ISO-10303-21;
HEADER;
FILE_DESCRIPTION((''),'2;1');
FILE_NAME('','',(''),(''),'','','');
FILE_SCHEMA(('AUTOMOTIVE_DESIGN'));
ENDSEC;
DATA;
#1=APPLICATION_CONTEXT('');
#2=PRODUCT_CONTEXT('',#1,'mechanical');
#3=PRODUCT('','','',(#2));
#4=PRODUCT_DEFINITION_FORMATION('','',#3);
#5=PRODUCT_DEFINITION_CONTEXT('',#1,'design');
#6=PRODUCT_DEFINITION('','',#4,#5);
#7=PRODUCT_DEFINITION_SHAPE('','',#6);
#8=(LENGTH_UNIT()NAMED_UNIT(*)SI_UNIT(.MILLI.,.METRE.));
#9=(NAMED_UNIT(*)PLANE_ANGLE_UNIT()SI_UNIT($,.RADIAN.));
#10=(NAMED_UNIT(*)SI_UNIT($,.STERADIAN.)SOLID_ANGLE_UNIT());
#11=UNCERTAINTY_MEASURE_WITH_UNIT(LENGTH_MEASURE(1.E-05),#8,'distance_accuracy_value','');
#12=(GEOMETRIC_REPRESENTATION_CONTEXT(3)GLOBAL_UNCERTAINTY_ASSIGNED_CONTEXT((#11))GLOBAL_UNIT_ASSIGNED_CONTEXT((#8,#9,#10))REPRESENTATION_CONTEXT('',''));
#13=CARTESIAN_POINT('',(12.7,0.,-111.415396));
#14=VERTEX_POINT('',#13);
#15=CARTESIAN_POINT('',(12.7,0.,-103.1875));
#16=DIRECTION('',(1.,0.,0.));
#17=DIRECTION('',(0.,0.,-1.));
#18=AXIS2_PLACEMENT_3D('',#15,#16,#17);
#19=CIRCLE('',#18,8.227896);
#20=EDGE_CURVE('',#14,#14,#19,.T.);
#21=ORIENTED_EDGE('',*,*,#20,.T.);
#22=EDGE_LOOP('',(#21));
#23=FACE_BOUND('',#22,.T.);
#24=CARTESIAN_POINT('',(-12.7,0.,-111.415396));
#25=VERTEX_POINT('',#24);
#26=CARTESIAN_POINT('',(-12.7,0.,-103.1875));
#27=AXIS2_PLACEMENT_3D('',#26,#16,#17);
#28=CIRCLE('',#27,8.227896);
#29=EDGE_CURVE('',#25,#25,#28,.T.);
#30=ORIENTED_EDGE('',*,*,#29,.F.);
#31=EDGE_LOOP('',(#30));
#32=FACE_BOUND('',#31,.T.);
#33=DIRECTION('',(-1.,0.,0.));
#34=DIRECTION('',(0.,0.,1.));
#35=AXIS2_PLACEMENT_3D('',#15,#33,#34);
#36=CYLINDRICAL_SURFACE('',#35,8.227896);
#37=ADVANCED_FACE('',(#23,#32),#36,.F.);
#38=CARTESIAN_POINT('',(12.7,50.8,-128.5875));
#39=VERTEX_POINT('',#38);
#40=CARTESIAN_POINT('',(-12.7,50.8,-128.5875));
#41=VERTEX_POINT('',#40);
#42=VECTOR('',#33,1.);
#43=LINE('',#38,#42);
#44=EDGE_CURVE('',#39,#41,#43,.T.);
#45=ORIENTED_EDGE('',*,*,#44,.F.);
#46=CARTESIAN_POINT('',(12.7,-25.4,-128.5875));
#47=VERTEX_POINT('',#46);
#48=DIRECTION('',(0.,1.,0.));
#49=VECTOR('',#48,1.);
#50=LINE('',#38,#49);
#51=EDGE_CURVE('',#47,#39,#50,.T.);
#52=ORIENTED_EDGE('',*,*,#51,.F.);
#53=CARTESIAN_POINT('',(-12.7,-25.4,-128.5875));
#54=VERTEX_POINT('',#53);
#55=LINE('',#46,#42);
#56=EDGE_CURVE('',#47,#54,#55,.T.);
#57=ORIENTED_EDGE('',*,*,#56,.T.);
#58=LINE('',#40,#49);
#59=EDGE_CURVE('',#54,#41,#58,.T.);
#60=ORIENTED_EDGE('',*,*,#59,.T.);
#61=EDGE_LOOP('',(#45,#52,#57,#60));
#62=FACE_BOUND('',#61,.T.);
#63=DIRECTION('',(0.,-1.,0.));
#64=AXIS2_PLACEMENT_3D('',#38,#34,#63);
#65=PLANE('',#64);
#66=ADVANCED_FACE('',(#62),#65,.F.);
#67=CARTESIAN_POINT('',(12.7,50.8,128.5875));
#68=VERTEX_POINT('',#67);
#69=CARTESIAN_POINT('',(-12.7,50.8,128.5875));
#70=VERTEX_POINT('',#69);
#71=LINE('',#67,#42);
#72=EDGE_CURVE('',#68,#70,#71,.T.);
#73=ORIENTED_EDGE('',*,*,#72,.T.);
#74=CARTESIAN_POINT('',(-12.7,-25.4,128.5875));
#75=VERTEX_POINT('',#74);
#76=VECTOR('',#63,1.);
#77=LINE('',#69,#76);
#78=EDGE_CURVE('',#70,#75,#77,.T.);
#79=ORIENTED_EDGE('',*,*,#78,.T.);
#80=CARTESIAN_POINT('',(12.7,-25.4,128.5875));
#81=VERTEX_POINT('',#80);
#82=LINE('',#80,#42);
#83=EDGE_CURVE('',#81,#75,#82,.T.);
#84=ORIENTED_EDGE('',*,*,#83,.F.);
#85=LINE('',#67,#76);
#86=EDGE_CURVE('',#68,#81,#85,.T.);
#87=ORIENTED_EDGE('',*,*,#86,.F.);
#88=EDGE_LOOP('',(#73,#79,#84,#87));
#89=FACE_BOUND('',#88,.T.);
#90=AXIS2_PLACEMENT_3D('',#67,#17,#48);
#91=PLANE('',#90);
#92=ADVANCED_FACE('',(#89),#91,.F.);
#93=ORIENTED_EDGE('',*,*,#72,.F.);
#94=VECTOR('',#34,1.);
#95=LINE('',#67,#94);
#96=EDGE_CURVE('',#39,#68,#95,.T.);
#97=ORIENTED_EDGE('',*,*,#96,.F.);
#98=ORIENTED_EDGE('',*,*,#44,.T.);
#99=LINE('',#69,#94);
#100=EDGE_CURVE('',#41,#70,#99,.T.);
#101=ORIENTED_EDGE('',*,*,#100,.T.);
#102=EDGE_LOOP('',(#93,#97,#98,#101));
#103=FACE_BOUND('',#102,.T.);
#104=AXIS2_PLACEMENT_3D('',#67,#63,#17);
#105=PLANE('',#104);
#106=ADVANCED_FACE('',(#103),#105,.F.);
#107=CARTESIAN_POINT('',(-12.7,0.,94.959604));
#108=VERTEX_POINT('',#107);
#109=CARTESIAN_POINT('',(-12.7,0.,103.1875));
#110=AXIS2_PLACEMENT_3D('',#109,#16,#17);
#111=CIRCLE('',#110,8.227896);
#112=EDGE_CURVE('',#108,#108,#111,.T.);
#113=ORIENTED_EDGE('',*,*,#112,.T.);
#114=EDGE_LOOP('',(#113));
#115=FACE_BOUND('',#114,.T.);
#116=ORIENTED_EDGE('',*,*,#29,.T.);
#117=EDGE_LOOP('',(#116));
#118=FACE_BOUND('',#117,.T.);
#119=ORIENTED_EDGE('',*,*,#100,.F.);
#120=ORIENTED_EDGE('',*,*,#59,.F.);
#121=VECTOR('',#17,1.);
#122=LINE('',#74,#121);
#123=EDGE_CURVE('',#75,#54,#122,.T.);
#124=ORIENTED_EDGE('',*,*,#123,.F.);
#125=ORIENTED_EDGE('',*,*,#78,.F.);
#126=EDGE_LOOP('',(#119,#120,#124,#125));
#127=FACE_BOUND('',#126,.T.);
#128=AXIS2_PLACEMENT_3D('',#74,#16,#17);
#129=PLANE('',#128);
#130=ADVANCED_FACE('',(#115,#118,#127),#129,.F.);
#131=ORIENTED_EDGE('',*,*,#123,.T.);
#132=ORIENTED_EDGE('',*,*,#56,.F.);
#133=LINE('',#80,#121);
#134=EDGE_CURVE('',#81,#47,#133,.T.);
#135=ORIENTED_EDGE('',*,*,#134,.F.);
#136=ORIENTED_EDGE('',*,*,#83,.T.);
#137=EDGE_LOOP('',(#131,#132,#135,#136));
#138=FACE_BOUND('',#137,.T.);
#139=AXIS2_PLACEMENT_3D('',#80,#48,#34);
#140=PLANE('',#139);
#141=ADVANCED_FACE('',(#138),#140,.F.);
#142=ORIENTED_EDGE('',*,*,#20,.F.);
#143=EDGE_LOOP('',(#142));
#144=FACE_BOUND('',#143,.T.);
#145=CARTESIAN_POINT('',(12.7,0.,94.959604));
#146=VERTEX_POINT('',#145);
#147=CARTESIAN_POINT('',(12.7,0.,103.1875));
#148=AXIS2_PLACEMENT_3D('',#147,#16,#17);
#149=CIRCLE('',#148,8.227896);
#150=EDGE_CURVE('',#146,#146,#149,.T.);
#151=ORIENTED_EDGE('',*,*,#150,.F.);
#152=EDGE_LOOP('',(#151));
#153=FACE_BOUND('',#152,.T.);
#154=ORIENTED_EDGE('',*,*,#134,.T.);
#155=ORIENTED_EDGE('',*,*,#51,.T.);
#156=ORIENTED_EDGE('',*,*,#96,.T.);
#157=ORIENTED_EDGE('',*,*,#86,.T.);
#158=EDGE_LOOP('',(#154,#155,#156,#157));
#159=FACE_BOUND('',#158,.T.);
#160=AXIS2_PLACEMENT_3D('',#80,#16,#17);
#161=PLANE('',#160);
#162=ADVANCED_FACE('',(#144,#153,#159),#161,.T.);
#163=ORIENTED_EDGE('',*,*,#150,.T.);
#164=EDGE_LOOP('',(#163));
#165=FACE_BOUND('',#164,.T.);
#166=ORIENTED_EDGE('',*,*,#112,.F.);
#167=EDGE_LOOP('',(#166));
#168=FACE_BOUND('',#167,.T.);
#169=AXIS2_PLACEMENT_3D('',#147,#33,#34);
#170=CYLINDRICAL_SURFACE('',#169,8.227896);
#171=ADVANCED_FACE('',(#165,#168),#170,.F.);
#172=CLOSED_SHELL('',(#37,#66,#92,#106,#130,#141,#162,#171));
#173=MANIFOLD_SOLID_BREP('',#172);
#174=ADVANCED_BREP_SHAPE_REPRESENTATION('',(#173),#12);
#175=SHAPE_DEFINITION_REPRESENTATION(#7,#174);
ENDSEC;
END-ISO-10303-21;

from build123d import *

# Parameters (mm, degrees)
SKETCH1_W      = 257.175
SKETCH1_H      = 76.2
SKETCH1_R      = 8.227896341
EXTRUDE1_DEPTH = 12.7


with BuildPart() as part:
    # Sketch1 → Extrude1 (new, symmetric)
    with BuildSketch(Plane(origin=(0, 0, 0), x_dir=(0, 0, -1), z_dir=(1, 0, 0))):
        with Locations((0, 12.7)):
            Rectangle(SKETCH1_W, SKETCH1_H)
        with Locations((-103.1875, 0)):
            Circle(SKETCH1_R, mode=Mode.SUBTRACT)
        with Locations((103.1875, 0)):
            Circle(SKETCH1_R, mode=Mode.SUBTRACT)
    extrude(amount=EXTRUDE1_DEPTH, both=True)


solid = part.part
